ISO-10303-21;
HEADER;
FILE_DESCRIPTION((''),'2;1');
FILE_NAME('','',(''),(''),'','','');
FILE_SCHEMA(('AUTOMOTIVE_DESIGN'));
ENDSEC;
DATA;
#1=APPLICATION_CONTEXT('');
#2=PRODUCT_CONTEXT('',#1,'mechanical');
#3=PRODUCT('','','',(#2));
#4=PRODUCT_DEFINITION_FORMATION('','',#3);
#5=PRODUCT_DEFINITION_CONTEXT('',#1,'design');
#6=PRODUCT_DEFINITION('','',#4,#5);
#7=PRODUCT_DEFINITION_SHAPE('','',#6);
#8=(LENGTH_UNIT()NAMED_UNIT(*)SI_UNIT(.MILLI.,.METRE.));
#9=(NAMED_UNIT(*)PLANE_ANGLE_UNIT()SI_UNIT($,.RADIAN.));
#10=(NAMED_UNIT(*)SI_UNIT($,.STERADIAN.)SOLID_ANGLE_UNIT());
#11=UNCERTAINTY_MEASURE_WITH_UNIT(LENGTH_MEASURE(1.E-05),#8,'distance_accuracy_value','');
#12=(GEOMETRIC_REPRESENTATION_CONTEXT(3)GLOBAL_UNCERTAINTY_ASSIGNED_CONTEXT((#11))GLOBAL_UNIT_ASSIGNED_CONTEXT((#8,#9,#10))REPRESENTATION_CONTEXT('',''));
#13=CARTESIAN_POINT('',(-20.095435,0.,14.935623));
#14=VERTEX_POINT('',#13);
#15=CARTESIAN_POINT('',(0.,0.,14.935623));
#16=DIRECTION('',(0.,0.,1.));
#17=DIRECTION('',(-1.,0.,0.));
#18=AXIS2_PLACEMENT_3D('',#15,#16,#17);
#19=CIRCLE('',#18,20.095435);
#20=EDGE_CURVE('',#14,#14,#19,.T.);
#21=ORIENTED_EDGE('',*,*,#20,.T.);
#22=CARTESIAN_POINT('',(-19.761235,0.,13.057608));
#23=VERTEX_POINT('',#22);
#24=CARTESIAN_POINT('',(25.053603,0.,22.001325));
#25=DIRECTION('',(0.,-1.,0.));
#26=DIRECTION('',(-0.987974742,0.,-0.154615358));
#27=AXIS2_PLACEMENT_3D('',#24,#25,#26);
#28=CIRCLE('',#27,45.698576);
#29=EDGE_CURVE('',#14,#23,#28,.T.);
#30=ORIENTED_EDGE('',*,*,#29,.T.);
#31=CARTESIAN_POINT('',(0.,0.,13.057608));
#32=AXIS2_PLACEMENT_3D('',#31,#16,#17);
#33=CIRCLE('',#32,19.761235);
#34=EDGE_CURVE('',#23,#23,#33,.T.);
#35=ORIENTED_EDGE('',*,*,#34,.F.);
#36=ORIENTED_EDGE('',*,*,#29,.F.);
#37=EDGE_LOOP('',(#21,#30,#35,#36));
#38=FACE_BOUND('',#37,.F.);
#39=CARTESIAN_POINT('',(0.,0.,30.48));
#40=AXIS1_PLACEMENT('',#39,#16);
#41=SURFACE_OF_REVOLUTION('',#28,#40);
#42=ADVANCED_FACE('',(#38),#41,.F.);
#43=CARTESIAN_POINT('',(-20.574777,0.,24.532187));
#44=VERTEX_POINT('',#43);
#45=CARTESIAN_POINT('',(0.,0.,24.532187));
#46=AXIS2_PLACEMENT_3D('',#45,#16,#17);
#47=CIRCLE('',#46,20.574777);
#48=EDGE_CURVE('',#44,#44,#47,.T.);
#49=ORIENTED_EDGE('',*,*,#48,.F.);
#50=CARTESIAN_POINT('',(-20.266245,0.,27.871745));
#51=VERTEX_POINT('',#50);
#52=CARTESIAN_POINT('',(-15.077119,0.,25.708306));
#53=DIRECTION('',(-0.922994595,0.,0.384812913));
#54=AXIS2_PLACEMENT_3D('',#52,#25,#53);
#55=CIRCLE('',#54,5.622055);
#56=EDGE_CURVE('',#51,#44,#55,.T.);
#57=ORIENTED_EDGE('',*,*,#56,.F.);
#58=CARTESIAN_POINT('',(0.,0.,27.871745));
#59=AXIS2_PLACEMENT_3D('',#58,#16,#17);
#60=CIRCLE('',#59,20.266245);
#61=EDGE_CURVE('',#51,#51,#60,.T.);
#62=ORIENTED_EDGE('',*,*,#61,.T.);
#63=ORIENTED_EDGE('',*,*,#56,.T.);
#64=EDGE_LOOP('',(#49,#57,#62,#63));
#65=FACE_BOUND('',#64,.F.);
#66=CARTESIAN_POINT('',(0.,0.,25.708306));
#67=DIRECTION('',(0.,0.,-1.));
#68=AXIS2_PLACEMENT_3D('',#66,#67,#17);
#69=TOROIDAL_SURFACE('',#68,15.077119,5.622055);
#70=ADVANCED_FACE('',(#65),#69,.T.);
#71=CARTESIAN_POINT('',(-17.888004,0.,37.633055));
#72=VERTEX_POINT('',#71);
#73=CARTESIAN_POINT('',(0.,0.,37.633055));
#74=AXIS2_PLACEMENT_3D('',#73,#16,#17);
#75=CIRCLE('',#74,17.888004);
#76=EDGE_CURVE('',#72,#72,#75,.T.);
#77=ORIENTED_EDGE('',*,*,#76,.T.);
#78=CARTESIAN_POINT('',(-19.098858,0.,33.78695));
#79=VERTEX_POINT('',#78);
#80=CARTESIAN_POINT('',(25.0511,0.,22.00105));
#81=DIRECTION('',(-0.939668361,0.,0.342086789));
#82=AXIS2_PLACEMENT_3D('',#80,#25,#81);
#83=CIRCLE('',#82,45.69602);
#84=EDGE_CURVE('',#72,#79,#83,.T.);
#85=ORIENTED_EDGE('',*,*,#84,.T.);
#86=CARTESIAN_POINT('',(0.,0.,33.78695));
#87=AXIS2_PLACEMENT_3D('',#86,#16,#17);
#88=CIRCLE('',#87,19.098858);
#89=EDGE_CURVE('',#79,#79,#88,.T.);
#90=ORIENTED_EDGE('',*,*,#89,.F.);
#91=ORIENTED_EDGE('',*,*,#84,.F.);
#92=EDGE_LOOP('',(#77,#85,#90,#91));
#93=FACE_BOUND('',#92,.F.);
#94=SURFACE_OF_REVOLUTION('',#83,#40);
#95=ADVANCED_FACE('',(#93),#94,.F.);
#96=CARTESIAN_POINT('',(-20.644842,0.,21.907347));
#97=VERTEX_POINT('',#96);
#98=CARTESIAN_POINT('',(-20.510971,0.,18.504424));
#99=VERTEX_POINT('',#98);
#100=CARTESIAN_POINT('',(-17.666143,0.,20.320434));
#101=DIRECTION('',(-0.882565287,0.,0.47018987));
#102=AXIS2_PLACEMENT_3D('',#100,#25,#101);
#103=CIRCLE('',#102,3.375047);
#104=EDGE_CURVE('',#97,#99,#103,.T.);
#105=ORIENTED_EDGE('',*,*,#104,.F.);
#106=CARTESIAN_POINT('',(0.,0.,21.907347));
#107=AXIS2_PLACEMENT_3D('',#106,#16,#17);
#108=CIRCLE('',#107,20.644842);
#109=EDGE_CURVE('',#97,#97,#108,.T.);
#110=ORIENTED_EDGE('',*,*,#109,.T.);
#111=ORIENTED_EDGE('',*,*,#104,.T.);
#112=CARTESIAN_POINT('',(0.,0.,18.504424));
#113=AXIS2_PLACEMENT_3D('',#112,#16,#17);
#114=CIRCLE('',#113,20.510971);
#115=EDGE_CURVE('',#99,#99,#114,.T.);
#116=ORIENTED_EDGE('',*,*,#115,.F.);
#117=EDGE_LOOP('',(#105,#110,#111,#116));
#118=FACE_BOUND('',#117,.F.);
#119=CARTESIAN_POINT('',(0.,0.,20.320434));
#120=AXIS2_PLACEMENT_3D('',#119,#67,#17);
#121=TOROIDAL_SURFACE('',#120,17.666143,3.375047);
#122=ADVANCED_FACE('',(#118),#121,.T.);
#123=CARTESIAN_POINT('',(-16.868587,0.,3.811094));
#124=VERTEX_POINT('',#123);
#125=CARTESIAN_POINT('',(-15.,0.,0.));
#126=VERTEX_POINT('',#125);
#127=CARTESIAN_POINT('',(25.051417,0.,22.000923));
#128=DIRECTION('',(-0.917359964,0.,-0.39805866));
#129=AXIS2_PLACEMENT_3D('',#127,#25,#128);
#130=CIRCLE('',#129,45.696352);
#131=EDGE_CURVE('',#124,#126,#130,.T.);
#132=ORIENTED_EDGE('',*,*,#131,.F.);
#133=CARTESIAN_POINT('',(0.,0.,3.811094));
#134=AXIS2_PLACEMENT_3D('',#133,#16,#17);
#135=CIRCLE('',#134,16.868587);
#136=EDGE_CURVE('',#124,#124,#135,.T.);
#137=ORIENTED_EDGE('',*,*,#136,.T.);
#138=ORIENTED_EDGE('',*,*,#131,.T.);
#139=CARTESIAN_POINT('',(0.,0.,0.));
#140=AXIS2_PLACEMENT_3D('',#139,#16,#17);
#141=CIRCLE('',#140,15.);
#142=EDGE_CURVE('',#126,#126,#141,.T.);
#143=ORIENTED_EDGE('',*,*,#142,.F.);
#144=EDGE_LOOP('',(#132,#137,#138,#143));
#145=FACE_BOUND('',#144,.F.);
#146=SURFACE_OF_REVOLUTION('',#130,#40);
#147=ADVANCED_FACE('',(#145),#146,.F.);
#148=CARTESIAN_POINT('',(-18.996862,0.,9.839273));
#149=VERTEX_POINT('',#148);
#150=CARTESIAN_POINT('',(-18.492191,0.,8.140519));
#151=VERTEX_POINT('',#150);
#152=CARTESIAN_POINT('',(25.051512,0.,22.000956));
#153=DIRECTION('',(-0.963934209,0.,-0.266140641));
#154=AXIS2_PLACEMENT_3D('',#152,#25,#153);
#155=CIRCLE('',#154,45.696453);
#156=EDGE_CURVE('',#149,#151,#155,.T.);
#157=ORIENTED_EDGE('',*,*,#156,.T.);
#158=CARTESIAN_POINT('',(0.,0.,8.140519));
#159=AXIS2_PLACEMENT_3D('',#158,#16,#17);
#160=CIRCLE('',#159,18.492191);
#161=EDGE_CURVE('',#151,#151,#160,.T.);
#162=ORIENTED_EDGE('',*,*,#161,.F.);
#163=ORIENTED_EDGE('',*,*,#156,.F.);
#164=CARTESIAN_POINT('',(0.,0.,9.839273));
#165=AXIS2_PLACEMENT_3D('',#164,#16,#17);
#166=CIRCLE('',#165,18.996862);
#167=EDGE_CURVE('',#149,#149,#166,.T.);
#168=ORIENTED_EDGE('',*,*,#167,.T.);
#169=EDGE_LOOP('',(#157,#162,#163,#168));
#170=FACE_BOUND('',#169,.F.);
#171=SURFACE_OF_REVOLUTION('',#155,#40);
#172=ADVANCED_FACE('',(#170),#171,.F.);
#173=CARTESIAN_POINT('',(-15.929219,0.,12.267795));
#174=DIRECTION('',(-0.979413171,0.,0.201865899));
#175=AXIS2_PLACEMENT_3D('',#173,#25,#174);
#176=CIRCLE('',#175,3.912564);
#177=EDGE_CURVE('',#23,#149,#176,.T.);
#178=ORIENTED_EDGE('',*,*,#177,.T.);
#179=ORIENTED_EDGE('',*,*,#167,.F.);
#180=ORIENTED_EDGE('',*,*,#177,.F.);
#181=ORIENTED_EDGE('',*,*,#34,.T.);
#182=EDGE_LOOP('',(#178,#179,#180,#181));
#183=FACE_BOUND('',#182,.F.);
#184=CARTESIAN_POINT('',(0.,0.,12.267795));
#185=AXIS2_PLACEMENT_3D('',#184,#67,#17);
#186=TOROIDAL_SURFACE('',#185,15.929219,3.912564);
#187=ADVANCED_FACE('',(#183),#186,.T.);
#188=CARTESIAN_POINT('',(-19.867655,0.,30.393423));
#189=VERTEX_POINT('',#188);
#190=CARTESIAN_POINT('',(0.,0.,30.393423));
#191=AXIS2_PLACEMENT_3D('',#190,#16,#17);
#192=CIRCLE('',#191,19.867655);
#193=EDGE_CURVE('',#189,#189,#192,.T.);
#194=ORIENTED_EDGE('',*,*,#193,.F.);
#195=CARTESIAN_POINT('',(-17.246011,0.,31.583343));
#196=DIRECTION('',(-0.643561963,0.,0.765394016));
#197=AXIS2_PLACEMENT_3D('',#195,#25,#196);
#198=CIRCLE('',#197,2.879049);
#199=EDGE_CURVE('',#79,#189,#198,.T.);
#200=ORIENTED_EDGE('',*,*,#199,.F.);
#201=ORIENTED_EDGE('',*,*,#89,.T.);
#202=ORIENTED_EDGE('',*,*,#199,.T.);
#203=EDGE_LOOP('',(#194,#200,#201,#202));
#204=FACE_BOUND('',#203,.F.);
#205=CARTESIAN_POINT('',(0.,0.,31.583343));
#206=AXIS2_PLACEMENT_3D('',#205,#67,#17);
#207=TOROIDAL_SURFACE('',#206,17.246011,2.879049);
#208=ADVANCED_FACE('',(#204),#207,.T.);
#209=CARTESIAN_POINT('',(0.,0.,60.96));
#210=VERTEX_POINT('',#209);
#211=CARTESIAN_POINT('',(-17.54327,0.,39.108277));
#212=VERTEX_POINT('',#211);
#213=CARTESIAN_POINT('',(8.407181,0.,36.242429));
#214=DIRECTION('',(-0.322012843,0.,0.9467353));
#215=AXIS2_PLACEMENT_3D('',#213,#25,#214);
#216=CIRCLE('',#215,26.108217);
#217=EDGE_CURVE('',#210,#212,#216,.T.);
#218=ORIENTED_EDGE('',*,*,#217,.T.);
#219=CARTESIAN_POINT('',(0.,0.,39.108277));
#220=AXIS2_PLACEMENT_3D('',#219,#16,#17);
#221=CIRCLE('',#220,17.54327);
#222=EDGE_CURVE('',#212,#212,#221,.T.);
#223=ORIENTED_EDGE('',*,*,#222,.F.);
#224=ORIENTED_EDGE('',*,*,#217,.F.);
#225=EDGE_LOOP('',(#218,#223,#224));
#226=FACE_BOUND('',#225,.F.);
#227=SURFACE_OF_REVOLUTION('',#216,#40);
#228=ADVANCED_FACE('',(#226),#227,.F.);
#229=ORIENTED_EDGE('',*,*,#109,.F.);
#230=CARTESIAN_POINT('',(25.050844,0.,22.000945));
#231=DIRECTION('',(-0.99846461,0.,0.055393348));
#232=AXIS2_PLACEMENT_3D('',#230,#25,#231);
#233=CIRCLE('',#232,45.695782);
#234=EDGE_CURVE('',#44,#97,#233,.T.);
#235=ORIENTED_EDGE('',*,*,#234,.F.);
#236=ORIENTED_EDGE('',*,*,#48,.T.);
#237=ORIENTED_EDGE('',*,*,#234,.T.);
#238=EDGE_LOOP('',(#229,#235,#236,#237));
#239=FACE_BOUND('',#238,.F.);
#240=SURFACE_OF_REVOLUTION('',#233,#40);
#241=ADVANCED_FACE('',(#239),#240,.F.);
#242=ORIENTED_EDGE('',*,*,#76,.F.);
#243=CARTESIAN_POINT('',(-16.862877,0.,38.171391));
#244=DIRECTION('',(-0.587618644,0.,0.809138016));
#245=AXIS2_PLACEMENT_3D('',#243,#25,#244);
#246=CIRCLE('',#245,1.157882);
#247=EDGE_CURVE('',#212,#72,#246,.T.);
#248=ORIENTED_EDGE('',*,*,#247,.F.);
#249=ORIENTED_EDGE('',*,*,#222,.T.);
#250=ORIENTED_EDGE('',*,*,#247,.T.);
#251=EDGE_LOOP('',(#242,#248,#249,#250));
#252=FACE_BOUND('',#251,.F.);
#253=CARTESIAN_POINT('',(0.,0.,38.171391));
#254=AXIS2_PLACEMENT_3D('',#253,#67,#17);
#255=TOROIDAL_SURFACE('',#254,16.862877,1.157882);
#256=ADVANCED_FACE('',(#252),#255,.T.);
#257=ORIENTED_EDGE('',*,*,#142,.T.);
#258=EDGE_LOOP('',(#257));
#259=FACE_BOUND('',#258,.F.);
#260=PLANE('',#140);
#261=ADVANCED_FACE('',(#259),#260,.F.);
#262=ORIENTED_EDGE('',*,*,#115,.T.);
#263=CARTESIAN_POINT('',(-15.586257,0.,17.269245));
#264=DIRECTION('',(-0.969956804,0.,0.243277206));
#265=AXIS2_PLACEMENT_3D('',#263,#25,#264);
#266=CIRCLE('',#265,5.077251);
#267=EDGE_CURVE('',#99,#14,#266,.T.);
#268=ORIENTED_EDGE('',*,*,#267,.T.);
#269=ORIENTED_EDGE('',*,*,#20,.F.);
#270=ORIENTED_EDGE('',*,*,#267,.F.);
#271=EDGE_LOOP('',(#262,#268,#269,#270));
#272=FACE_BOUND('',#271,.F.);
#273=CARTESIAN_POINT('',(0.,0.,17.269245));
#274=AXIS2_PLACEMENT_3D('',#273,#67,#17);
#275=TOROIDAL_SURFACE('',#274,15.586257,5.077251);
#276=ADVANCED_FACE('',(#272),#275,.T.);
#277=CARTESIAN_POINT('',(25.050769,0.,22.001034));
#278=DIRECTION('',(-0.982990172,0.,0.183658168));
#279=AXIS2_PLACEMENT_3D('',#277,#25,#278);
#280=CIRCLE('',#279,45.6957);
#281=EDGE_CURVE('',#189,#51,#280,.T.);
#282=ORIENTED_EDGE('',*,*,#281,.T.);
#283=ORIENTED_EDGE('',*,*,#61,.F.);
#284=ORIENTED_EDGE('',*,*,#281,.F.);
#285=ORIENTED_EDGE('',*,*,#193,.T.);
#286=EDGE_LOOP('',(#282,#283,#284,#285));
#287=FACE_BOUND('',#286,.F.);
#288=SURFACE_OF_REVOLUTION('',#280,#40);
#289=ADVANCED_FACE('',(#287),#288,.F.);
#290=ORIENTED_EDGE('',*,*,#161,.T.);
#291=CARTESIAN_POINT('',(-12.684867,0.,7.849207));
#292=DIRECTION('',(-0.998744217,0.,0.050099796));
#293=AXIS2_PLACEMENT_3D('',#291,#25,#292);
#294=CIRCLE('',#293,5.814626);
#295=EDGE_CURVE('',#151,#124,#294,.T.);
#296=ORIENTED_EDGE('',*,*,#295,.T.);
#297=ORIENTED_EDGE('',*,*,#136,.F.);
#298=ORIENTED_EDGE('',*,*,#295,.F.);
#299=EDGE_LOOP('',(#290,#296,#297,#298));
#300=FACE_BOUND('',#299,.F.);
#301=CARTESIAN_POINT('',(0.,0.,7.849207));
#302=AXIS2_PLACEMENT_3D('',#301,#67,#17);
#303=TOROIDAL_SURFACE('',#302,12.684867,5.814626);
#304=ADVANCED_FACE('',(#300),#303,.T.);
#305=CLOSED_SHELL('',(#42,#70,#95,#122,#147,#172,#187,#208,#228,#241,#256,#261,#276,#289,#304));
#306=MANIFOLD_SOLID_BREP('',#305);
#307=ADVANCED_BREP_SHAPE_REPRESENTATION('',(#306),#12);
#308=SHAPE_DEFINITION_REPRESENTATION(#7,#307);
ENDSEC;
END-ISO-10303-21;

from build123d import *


with BuildPart() as f1:
    # F0 (on Front) → F1 (revolve)
    with BuildSketch(Plane.XZ):
        with BuildLine():
            Line((-15, 0), (0, 0))
            Line((0, 0), (0, 60.96))
            ThreePointArc((0, 60.96), (-11.951752, 52.58724), (-17.54327, 39.108277))
            ThreePointArc((-17.54327, 39.108277), (-17.990383, 38.434869), (-17.888004, 37.633055))
            ThreePointArc((-17.888004, 37.633055), (-18.535874, 35.723365), (-19.098858, 33.78695))
            ThreePointArc((-19.098858, 33.78695), (-20.053906, 32.219466), (-19.867655, 30.393423))
            ThreePointArc((-19.867655, 30.393423), (-20.084564, 29.135368), (-20.266245, 27.871745))
            ThreePointArc((-20.266245, 27.871745), (-20.675333, 26.225508), (-20.574777, 24.532187))
            ThreePointArc((-20.574777, 24.532187), (-20.628667, 23.22027), (-20.644842, 21.907347))
            ThreePointArc((-20.644842, 21.907347), (-21.038581, 20.187763), (-20.510971, 18.504424))
            ThreePointArc((-20.510971, 18.504424), (-20.629437, 16.682038), (-20.095435, 14.935623))
            ThreePointArc((-20.095435, 14.935623), (-19.938135, 13.994872), (-19.761235, 13.057608))
            ThreePointArc((-19.761235, 13.057608), (-19.73589, 11.363689), (-18.996862, 9.839273))
            ThreePointArc((-18.996862, 9.839273), (-18.752762, 8.987449), (-18.492191, 8.140519))
            ThreePointArc((-18.492191, 8.140519), (-18.129242, 5.807479), (-16.868587, 3.811094))
            ThreePointArc((-16.868587, 3.811094), (-15.978567, 1.88384), (-15, 0))
        make_face()
    revolve(axis=Axis((0, 0, 30.48), (0, 0, 1)))


solid = f1.part
